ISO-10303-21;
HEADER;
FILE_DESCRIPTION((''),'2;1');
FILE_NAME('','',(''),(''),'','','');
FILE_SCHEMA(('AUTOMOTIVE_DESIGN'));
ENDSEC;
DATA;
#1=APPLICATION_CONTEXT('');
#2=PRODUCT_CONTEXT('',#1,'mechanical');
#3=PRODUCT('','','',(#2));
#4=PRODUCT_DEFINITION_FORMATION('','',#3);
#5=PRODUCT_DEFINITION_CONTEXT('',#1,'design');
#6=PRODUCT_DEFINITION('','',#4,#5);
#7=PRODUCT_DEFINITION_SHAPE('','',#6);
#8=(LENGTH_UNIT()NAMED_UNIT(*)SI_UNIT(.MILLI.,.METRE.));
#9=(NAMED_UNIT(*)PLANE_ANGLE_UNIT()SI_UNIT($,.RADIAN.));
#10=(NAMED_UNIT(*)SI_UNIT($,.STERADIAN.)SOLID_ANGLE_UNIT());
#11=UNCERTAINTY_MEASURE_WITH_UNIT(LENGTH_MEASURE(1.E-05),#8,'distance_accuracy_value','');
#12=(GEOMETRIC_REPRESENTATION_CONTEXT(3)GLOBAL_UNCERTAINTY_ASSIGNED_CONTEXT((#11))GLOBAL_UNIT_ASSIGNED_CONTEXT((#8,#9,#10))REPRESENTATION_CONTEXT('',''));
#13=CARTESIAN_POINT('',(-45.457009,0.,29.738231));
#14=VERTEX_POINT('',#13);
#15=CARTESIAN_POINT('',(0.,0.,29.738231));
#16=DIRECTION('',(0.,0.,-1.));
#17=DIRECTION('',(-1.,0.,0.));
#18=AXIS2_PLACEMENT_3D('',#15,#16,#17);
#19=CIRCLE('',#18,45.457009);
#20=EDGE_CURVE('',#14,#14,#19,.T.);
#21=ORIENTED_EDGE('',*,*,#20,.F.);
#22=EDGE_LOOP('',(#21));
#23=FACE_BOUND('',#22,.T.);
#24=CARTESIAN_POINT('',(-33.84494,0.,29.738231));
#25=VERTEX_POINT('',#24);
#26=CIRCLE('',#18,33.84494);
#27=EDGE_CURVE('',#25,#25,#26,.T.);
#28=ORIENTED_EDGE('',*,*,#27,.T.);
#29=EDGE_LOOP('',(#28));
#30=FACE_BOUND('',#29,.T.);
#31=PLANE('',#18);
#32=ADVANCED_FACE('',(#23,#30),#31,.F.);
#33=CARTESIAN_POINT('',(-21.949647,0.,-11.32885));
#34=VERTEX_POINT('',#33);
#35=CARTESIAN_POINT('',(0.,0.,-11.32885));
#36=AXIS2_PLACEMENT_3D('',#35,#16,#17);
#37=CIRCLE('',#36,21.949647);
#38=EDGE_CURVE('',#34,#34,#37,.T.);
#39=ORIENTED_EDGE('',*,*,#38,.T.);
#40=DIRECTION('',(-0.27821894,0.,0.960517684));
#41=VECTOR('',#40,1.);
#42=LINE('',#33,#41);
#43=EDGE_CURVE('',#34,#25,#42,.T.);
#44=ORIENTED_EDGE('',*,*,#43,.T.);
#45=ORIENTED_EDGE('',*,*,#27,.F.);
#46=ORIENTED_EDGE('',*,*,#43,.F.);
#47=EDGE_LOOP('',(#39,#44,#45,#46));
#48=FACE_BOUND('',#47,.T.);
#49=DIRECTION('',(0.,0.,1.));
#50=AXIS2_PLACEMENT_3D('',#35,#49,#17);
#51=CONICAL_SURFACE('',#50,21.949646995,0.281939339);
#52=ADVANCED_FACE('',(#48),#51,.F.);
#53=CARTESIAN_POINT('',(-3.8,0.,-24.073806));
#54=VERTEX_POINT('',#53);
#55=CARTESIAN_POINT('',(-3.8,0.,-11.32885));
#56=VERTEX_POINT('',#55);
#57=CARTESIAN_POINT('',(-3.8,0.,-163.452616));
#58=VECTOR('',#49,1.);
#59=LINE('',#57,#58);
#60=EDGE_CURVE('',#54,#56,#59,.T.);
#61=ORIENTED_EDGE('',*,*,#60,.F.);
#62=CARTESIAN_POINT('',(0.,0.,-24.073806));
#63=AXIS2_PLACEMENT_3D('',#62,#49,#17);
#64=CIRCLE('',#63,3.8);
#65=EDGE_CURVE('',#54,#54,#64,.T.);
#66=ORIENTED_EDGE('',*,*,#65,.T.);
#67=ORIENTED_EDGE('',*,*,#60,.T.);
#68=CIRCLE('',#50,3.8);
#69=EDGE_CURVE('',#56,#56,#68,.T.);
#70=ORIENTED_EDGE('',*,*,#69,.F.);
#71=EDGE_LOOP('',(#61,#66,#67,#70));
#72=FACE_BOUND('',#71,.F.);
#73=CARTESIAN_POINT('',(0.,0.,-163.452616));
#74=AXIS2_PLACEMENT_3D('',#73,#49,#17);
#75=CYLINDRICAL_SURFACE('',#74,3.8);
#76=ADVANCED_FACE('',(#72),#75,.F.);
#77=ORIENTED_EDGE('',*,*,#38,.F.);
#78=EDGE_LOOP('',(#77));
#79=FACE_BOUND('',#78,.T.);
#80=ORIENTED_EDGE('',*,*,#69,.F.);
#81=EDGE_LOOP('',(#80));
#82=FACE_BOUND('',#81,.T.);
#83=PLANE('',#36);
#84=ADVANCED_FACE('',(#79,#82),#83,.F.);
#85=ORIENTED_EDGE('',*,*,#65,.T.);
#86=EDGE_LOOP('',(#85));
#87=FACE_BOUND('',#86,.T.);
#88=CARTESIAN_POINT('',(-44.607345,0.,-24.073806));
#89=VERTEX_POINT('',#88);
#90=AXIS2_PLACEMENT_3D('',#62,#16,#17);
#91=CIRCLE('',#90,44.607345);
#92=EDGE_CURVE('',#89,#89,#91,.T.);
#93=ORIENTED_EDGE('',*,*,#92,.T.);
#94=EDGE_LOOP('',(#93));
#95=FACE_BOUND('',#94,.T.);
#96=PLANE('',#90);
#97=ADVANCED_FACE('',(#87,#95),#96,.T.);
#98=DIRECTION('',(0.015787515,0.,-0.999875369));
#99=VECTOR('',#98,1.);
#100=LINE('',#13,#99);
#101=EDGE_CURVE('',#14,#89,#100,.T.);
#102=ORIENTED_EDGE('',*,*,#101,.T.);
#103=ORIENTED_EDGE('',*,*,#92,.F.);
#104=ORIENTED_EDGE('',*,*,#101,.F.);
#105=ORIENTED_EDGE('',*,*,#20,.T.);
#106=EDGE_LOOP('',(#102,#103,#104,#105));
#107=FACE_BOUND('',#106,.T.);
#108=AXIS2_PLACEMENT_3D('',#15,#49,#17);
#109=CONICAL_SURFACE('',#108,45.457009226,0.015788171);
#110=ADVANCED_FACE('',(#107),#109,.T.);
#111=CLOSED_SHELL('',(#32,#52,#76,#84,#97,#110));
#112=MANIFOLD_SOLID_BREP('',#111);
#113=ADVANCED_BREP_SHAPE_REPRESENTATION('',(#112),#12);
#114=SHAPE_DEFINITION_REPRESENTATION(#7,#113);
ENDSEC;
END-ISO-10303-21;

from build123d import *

# Parameters (mm, degrees)
F3_D = 7.6


with BuildPart() as f1:
    # F0 (on Front) → F1 (revolve)
    with BuildSketch(Plane.XZ):
        Polygon((-33.8449403644, 29.7382306308), (-45.4570092261, 29.7382306308), (-44.6073450148, -24.07380566), (0, -24.07380566), (0, -11.3288499415), (-21.9496469945, -11.3288499415), align=None)
    revolve(axis=Axis((0, 0, -2.6906020939), (0, 0, -1)))

    # F3 (through all)
    with Locations(Plane(origin=(0, 0, -24.07380566), x_dir=(1, 0, 0), z_dir=(0, 0, -1))):
        with Locations((0, 0)):
            Hole(F3_D / 2)


solid = f1.part
